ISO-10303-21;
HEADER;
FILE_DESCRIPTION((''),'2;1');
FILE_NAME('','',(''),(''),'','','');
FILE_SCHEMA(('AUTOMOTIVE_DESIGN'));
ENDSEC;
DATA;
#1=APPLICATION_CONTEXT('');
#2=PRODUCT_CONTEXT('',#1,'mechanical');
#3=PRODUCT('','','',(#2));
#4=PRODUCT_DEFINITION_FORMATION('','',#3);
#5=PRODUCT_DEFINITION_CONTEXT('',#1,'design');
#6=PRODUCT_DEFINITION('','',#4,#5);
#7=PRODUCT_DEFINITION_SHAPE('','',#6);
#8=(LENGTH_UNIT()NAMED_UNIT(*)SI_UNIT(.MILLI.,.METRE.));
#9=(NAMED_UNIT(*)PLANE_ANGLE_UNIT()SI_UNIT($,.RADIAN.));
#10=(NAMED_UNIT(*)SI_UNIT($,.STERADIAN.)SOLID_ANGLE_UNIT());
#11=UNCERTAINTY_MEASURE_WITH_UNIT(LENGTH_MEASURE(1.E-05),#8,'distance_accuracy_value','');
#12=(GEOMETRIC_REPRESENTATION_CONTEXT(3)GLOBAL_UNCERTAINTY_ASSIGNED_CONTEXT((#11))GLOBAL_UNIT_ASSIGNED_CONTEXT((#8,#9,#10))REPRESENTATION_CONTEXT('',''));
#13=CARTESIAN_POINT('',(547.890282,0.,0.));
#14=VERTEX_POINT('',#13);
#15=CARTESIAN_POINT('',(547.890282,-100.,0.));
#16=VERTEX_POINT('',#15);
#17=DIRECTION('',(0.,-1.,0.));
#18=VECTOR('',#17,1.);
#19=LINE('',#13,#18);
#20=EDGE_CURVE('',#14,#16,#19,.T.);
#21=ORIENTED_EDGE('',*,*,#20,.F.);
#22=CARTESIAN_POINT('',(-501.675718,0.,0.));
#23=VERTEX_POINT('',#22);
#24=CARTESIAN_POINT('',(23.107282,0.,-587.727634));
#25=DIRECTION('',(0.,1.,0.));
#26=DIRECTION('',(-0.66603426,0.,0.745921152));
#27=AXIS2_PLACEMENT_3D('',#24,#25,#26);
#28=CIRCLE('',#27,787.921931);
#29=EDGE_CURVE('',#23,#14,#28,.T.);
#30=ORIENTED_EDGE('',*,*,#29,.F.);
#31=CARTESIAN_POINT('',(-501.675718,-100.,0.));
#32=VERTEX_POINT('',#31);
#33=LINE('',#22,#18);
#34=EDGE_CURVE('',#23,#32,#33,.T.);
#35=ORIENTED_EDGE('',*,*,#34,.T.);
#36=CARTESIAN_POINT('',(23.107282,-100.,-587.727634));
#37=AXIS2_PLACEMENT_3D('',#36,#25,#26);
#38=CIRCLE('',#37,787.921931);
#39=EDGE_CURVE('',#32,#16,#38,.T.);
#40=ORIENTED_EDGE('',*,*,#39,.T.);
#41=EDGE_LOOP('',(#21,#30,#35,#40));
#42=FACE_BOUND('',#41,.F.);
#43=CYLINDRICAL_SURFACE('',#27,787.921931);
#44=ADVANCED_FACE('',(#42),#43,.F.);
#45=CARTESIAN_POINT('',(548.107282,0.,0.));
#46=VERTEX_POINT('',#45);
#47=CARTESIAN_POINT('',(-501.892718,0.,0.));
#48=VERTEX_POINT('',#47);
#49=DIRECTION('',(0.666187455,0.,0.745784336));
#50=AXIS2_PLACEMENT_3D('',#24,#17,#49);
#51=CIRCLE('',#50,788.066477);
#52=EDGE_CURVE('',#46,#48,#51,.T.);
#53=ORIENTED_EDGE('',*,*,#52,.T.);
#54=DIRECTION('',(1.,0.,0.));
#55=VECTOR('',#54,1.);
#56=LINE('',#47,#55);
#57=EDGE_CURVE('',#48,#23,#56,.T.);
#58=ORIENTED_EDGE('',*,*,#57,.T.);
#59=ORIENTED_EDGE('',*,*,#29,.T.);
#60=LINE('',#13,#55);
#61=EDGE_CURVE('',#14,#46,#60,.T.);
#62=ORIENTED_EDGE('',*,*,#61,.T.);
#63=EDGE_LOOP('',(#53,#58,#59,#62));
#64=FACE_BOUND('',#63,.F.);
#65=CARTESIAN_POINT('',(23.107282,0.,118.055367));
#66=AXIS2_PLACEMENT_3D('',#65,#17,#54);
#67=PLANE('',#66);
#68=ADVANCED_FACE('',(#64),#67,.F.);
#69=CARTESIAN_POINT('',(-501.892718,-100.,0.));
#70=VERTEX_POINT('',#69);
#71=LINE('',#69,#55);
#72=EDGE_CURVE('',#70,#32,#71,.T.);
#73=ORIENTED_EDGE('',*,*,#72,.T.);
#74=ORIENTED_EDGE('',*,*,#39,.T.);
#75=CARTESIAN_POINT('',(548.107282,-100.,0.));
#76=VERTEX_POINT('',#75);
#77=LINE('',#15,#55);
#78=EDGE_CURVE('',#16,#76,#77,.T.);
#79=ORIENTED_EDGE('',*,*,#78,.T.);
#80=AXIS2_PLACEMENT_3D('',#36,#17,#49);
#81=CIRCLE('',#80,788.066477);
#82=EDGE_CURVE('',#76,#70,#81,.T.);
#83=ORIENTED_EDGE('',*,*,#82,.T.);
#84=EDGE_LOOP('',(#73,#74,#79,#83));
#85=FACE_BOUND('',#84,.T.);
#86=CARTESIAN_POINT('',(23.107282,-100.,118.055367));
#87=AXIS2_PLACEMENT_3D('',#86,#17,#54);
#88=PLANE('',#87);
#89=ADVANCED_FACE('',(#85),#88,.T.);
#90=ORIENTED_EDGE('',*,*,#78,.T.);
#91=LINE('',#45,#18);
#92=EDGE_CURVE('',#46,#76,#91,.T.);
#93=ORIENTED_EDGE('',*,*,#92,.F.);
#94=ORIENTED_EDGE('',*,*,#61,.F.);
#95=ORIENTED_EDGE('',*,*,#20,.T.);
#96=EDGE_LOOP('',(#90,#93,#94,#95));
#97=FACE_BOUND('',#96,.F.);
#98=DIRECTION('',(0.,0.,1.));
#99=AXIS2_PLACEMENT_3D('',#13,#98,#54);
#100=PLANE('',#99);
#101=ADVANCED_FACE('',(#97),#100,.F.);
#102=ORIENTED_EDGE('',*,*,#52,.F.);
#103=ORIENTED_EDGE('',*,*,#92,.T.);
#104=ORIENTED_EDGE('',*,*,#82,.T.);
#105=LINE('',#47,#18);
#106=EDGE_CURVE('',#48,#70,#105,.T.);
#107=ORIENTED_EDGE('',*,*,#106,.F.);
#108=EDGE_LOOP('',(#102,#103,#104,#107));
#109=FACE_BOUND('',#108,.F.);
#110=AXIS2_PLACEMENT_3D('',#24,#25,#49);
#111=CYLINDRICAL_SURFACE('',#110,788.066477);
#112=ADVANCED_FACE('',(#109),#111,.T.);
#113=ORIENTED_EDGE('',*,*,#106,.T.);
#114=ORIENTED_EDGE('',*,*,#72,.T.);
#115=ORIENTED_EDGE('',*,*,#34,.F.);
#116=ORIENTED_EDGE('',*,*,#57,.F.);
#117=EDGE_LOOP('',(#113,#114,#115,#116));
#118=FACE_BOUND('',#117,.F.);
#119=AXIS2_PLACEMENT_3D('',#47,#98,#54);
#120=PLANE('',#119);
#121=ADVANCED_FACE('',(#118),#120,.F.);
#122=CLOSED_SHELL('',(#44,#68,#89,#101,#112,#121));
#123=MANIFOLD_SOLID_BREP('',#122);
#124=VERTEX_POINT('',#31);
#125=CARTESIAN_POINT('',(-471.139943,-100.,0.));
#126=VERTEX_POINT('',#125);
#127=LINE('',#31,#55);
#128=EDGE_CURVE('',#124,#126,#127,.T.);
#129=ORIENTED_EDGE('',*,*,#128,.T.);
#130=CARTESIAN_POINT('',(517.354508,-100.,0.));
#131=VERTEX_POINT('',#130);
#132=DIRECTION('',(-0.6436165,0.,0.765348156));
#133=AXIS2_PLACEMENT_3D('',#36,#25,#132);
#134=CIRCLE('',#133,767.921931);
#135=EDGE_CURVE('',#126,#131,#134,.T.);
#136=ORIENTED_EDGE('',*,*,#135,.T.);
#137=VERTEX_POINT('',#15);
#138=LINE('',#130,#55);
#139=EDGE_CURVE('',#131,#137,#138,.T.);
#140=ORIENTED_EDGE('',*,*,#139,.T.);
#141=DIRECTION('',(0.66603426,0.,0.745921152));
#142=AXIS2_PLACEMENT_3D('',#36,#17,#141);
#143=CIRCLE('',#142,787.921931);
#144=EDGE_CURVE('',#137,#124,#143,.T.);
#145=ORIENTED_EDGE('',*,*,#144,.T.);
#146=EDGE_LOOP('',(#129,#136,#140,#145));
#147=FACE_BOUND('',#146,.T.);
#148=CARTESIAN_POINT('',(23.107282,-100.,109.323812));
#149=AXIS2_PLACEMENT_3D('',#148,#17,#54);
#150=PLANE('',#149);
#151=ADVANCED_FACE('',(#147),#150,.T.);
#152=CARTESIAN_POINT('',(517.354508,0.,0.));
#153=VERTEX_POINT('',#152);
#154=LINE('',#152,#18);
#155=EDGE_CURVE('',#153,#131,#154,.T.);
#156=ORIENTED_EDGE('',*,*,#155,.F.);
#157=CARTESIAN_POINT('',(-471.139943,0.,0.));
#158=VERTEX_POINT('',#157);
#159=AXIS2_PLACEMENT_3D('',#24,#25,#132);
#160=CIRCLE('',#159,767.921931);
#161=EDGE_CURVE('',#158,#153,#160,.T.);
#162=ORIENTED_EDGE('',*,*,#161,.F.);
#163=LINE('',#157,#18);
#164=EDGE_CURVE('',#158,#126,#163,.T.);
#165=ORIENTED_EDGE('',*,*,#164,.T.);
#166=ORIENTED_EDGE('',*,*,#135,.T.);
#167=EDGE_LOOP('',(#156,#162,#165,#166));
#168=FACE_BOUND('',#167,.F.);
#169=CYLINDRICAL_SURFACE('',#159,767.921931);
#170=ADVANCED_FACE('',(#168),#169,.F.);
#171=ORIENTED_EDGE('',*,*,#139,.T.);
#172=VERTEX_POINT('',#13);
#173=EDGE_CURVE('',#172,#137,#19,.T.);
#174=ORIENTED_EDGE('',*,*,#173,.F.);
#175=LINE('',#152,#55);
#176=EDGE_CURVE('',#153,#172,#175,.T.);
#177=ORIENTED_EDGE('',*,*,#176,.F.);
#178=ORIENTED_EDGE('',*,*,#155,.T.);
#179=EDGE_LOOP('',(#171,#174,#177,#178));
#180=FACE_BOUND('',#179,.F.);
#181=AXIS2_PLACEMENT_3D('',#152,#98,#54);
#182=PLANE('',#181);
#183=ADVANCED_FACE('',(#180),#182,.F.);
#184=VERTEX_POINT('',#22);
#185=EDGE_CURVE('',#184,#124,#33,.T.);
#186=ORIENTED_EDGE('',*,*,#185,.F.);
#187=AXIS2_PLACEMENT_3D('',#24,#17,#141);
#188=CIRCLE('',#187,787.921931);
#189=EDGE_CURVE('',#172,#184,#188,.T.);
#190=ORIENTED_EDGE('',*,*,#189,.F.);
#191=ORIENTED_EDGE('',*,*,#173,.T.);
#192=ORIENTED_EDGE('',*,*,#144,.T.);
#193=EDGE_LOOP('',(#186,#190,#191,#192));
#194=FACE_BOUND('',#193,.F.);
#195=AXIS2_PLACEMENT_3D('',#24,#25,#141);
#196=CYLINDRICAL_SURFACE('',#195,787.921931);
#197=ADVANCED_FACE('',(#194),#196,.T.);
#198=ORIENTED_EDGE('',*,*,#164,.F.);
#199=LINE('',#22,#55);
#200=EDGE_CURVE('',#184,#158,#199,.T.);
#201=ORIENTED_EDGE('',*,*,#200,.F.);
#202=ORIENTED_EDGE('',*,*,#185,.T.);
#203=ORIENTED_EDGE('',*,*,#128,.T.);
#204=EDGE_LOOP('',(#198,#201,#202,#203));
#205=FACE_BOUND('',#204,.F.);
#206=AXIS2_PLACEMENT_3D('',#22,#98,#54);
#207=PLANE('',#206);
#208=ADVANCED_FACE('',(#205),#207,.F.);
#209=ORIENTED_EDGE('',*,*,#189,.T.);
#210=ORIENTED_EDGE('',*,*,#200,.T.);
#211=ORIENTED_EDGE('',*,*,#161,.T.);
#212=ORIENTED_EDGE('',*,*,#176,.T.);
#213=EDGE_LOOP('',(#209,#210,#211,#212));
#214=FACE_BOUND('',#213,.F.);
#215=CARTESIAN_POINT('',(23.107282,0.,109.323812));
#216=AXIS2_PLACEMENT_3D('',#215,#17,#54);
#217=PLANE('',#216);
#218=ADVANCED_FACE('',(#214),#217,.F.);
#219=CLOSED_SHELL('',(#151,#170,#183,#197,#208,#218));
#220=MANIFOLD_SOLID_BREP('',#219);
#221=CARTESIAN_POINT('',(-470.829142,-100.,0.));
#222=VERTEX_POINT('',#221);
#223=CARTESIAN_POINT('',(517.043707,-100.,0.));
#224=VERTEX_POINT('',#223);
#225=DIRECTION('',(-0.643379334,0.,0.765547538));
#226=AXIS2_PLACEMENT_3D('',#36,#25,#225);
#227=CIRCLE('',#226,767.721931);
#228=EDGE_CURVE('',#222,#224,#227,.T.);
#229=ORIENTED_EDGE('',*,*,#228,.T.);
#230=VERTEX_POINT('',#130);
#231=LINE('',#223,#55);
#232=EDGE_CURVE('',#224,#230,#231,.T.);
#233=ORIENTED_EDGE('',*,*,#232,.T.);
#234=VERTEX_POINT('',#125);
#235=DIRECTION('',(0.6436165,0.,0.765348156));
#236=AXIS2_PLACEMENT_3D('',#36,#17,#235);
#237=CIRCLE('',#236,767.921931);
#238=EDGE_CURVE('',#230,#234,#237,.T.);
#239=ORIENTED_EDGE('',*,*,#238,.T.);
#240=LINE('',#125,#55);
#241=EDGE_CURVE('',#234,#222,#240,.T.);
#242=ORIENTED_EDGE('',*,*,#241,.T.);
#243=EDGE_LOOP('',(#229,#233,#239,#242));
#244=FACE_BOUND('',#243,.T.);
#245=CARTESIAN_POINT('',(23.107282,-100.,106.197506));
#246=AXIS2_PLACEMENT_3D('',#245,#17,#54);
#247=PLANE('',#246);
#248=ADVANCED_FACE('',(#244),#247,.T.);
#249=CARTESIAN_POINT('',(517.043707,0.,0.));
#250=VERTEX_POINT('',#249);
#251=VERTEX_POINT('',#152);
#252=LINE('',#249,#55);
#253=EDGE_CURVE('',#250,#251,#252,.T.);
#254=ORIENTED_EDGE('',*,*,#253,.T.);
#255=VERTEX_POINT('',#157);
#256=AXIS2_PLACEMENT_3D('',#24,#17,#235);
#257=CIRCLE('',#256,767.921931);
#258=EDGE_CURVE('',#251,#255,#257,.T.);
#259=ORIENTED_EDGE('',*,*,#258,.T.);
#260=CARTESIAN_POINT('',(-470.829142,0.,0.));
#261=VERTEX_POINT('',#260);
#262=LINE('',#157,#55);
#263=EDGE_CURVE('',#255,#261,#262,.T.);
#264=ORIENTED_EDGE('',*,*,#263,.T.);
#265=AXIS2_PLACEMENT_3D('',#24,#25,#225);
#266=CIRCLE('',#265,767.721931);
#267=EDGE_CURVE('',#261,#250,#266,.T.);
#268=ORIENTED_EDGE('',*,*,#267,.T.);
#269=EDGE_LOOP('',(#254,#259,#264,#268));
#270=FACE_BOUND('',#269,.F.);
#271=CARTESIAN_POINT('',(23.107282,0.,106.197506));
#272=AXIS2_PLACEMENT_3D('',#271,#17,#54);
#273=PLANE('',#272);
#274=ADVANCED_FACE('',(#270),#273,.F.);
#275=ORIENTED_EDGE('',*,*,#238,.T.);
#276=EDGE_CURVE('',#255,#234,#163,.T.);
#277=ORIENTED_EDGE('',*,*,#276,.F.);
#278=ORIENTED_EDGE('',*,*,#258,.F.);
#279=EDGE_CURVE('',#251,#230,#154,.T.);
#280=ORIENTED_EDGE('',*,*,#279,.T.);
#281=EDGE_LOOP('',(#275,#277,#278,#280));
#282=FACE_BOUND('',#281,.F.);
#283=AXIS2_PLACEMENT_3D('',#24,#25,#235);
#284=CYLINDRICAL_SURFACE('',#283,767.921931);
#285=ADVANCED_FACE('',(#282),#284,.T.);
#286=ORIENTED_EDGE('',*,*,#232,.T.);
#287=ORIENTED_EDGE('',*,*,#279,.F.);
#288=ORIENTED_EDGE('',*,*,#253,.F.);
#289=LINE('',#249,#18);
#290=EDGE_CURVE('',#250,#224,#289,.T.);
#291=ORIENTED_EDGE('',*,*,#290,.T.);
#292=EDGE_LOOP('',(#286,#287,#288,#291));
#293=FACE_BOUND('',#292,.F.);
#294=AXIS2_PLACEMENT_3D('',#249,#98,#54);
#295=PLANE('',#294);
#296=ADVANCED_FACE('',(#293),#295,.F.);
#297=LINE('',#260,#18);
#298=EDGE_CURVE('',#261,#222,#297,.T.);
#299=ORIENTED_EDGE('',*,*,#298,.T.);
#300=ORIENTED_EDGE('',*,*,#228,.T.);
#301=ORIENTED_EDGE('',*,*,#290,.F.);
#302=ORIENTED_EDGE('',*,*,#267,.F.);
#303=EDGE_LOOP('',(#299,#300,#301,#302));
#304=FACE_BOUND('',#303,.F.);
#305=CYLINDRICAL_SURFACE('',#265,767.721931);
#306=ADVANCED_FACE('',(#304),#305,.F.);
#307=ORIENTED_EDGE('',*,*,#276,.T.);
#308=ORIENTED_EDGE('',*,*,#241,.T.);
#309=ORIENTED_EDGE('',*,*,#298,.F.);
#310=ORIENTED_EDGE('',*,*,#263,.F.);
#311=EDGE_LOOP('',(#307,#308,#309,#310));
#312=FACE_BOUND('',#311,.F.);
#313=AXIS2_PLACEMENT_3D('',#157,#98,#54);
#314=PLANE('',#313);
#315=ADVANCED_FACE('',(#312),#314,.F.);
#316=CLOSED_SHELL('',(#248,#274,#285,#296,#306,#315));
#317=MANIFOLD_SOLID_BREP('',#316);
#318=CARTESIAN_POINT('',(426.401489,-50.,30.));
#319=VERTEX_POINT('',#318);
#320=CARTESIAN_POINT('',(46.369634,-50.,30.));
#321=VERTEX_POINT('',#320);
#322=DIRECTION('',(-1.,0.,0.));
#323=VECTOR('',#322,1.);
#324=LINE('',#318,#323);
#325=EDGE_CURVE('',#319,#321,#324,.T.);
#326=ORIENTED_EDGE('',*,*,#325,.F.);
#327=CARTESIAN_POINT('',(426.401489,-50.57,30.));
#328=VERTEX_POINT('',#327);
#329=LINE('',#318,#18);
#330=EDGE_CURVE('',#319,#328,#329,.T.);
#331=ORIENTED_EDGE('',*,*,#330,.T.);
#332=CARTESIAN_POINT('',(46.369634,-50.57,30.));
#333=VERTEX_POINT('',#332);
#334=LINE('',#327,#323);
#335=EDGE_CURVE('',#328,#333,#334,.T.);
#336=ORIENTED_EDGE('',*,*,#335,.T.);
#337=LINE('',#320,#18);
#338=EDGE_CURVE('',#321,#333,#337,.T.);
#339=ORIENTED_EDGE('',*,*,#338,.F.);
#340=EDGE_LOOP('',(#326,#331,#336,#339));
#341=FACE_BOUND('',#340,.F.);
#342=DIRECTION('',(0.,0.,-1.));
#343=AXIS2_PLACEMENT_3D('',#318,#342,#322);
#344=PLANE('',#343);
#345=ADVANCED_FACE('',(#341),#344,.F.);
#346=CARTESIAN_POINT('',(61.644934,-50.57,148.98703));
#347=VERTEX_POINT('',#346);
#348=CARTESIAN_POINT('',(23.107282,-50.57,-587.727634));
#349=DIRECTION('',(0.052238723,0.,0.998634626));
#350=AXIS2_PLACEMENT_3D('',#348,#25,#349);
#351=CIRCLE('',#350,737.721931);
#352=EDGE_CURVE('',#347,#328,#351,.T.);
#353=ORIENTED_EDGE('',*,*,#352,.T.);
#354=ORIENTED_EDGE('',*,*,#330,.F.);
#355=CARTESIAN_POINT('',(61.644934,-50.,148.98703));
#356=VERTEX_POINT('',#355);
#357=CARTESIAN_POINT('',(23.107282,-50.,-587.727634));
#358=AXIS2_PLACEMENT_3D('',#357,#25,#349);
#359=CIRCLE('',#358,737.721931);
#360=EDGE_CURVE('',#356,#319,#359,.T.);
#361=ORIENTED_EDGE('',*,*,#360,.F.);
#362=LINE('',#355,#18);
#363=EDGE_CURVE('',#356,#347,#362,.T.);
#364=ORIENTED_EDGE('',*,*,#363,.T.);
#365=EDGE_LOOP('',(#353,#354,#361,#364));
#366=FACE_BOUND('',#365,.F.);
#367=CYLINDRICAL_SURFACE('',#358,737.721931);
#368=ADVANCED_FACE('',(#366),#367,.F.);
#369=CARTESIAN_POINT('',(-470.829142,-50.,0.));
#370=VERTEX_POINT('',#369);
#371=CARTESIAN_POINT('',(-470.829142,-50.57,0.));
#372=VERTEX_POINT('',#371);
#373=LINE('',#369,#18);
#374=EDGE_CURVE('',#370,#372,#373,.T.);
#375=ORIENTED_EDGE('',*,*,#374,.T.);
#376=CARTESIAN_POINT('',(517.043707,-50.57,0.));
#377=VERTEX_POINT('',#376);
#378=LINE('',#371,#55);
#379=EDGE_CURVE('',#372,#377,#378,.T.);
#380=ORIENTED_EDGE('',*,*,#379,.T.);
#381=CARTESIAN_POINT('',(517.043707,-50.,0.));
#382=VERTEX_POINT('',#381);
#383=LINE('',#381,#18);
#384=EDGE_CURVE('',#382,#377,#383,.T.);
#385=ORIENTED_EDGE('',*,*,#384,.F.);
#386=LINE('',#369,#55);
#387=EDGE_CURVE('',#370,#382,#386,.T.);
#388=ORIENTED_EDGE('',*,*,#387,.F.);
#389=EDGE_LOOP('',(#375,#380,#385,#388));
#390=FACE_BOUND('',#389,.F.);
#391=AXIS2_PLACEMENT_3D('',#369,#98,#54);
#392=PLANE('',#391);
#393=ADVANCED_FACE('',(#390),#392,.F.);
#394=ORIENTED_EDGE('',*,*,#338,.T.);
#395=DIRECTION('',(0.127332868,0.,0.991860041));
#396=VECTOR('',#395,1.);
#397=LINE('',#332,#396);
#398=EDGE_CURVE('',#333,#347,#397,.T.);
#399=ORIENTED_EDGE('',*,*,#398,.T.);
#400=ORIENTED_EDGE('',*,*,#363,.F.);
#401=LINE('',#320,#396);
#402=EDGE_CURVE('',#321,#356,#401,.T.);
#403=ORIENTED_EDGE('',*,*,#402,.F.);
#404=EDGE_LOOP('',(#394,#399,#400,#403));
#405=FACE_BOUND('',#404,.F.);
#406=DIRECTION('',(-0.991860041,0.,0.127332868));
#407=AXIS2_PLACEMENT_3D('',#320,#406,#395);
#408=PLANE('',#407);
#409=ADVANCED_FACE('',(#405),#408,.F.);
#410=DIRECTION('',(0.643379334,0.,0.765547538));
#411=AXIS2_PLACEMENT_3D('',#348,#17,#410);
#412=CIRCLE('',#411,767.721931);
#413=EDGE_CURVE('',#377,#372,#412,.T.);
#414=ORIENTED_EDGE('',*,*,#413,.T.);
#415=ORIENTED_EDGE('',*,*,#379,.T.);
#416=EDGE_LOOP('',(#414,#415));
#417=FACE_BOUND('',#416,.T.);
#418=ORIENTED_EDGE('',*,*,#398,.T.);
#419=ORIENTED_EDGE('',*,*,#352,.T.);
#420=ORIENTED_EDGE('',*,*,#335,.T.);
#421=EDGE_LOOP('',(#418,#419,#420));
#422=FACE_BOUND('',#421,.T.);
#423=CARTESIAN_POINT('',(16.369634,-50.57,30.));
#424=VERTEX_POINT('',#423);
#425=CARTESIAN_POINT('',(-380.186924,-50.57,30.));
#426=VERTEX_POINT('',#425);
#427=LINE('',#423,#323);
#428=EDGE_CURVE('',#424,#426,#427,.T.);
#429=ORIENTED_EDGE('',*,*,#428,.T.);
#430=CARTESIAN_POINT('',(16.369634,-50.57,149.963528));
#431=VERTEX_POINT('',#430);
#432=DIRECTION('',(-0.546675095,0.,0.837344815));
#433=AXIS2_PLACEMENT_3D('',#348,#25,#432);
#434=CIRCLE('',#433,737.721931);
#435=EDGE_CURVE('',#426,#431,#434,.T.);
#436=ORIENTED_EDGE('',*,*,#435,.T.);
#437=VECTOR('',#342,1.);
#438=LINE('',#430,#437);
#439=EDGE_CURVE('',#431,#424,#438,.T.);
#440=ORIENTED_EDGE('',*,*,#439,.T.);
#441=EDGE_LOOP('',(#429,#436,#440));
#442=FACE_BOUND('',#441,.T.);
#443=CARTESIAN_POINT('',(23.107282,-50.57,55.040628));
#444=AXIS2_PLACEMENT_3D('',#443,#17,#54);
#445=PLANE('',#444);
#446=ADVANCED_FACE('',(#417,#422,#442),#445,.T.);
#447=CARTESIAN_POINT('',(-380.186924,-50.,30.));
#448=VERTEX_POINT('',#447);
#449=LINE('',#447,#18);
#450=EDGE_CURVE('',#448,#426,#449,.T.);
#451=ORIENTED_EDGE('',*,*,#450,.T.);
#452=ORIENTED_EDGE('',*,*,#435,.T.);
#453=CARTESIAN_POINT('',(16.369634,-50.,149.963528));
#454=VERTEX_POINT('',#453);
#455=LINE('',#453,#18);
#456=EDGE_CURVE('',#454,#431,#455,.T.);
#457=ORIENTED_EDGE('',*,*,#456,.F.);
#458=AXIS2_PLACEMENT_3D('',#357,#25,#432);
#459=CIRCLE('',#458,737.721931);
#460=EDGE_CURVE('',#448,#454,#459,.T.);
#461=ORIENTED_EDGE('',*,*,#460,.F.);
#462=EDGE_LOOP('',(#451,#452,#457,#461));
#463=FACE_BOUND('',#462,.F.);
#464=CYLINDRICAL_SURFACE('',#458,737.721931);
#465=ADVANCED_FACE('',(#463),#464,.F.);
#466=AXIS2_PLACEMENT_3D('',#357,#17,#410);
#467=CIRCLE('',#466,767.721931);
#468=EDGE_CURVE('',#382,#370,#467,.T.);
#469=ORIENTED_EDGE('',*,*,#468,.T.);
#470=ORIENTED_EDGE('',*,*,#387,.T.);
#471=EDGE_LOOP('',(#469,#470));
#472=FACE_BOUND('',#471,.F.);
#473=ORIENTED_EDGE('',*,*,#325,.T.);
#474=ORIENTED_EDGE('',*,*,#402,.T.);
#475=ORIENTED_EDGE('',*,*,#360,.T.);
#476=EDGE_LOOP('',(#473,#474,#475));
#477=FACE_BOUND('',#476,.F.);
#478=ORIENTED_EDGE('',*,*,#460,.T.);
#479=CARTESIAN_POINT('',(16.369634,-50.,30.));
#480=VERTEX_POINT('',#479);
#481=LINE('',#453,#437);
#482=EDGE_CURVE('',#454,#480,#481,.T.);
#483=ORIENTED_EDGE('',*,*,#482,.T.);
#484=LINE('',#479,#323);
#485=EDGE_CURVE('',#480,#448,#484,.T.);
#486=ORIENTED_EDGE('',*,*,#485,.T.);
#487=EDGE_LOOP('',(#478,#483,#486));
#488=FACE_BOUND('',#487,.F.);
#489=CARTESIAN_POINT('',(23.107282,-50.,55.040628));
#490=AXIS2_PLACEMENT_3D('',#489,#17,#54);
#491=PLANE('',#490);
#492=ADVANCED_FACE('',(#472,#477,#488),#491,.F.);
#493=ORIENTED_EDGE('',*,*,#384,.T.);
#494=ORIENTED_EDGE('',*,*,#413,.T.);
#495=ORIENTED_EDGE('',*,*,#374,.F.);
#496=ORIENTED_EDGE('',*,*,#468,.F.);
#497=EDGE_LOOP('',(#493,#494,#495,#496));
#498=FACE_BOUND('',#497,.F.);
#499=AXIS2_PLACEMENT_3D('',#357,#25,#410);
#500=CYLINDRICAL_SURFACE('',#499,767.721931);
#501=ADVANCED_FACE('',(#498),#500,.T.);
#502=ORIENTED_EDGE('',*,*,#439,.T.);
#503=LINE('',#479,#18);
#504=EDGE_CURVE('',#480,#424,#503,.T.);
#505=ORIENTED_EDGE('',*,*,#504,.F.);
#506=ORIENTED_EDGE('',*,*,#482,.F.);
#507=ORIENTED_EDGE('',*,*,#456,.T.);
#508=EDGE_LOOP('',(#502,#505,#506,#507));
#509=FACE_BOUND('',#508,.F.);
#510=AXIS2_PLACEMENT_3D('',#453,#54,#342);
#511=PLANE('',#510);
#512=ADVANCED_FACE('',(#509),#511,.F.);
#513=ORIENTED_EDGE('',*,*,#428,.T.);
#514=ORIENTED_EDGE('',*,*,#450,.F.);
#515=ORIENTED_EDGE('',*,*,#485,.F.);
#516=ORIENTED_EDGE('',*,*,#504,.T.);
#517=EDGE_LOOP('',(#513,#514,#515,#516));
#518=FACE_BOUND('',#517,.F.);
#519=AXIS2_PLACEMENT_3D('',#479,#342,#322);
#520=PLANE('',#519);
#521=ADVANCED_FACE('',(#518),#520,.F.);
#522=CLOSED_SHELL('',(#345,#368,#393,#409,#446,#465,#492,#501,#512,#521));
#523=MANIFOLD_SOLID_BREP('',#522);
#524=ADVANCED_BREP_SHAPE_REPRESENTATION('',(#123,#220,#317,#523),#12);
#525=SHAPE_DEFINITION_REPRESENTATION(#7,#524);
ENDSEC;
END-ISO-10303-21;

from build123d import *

# Parameters (mm, degrees)
F1_DEPTH = 100
F3_DEPTH = 100
F5_DEPTH = 100
F7_START = 50
F7_DEPTH = 0.57


with BuildPart() as f1:
    # F0 (on Front) → F1 (new body)
    with BuildSketch(Plane.XZ):
        with BuildLine():
            Line((547.8902823917, 0), (548.1072823917, 0))
            ThreePointArc((548.1072823917, 0), (23.1072823917, 200.338842807), (-501.8927176083, 0))
            Line((-501.8927176083, 0), (-501.6757176083, 0))
            ThreePointArc((-501.6757176083, 0), (23.1072823917, 200.1942967494), (547.8902823917, 0))
        make_face()
    extrude(amount=F1_DEPTH)


with BuildPart() as f3:
    # F2 (on Front) → F3 (new body)
    with BuildSketch(Plane.XZ):
        with BuildLine():
            Line((517.3545078457, 0), (547.8902823917, 0))
            ThreePointArc((547.8902823917, 0), (23.1072823917, 200.1942967494), (-501.6757176083, 0))
            Line((-501.6757176083, 0), (-471.1399430623, 0))
            ThreePointArc((-471.1399430623, 0), (23.1072823917, 180.1942967494), (517.3545078457, 0))
        make_face()
    extrude(amount=F3_DEPTH)


with BuildPart() as f5:
    # F4 (on Front) → F5 (new body)
    with BuildSketch(Plane.XZ):
        with BuildLine():
            Line((517.0437065363, 0), (517.3545078457, 0))
            ThreePointArc((517.3545078457, 0), (23.1072823917, 180.1942967494), (-471.1399430623, 0))
            Line((-471.1399430623, 0), (-470.829141753, 0))
            ThreePointArc((-470.829141753, 0), (23.1072823917, 179.9942967494), (517.0437065363, 0))
        make_face()
    extrude(amount=F5_DEPTH)


with BuildPart() as f7:
    # F6 (on Front) → F7 (new body)
    with BuildSketch(Plane.XZ.offset(F7_START)):
        with BuildLine():
            ThreePointArc((517.0437065363, 0), (23.1072823917, 179.9942967494), (-470.829141753, 0))
            Line((-470.829141753, 0), (517.0437065363, 0))
        make_face()
        with BuildLine():
            Line((16.369633609, 30), (-380.1869244123, 30))
            ThreePointArc((-380.1869244123, 30), (-190.5029764681, 118.3915516923), (16.369633609, 149.9635284776))
            Line((16.369633609, 149.9635284776), (16.369633609, 30))
        make_face(mode=Mode.SUBTRACT)
        with BuildLine():
            ThreePointArc((61.6449337647, 148.9870302594), (251.8939211351, 113.62129558), (426.4014891957, 30))
            Line((426.4014891957, 30), (46.369633609, 30))
            Line((46.369633609, 30), (61.6449337647, 148.9870302594))
        make_face(mode=Mode.SUBTRACT)
    extrude(amount=F7_DEPTH)


solid = Compound([f1.part, f3.part, f5.part, f7.part])
